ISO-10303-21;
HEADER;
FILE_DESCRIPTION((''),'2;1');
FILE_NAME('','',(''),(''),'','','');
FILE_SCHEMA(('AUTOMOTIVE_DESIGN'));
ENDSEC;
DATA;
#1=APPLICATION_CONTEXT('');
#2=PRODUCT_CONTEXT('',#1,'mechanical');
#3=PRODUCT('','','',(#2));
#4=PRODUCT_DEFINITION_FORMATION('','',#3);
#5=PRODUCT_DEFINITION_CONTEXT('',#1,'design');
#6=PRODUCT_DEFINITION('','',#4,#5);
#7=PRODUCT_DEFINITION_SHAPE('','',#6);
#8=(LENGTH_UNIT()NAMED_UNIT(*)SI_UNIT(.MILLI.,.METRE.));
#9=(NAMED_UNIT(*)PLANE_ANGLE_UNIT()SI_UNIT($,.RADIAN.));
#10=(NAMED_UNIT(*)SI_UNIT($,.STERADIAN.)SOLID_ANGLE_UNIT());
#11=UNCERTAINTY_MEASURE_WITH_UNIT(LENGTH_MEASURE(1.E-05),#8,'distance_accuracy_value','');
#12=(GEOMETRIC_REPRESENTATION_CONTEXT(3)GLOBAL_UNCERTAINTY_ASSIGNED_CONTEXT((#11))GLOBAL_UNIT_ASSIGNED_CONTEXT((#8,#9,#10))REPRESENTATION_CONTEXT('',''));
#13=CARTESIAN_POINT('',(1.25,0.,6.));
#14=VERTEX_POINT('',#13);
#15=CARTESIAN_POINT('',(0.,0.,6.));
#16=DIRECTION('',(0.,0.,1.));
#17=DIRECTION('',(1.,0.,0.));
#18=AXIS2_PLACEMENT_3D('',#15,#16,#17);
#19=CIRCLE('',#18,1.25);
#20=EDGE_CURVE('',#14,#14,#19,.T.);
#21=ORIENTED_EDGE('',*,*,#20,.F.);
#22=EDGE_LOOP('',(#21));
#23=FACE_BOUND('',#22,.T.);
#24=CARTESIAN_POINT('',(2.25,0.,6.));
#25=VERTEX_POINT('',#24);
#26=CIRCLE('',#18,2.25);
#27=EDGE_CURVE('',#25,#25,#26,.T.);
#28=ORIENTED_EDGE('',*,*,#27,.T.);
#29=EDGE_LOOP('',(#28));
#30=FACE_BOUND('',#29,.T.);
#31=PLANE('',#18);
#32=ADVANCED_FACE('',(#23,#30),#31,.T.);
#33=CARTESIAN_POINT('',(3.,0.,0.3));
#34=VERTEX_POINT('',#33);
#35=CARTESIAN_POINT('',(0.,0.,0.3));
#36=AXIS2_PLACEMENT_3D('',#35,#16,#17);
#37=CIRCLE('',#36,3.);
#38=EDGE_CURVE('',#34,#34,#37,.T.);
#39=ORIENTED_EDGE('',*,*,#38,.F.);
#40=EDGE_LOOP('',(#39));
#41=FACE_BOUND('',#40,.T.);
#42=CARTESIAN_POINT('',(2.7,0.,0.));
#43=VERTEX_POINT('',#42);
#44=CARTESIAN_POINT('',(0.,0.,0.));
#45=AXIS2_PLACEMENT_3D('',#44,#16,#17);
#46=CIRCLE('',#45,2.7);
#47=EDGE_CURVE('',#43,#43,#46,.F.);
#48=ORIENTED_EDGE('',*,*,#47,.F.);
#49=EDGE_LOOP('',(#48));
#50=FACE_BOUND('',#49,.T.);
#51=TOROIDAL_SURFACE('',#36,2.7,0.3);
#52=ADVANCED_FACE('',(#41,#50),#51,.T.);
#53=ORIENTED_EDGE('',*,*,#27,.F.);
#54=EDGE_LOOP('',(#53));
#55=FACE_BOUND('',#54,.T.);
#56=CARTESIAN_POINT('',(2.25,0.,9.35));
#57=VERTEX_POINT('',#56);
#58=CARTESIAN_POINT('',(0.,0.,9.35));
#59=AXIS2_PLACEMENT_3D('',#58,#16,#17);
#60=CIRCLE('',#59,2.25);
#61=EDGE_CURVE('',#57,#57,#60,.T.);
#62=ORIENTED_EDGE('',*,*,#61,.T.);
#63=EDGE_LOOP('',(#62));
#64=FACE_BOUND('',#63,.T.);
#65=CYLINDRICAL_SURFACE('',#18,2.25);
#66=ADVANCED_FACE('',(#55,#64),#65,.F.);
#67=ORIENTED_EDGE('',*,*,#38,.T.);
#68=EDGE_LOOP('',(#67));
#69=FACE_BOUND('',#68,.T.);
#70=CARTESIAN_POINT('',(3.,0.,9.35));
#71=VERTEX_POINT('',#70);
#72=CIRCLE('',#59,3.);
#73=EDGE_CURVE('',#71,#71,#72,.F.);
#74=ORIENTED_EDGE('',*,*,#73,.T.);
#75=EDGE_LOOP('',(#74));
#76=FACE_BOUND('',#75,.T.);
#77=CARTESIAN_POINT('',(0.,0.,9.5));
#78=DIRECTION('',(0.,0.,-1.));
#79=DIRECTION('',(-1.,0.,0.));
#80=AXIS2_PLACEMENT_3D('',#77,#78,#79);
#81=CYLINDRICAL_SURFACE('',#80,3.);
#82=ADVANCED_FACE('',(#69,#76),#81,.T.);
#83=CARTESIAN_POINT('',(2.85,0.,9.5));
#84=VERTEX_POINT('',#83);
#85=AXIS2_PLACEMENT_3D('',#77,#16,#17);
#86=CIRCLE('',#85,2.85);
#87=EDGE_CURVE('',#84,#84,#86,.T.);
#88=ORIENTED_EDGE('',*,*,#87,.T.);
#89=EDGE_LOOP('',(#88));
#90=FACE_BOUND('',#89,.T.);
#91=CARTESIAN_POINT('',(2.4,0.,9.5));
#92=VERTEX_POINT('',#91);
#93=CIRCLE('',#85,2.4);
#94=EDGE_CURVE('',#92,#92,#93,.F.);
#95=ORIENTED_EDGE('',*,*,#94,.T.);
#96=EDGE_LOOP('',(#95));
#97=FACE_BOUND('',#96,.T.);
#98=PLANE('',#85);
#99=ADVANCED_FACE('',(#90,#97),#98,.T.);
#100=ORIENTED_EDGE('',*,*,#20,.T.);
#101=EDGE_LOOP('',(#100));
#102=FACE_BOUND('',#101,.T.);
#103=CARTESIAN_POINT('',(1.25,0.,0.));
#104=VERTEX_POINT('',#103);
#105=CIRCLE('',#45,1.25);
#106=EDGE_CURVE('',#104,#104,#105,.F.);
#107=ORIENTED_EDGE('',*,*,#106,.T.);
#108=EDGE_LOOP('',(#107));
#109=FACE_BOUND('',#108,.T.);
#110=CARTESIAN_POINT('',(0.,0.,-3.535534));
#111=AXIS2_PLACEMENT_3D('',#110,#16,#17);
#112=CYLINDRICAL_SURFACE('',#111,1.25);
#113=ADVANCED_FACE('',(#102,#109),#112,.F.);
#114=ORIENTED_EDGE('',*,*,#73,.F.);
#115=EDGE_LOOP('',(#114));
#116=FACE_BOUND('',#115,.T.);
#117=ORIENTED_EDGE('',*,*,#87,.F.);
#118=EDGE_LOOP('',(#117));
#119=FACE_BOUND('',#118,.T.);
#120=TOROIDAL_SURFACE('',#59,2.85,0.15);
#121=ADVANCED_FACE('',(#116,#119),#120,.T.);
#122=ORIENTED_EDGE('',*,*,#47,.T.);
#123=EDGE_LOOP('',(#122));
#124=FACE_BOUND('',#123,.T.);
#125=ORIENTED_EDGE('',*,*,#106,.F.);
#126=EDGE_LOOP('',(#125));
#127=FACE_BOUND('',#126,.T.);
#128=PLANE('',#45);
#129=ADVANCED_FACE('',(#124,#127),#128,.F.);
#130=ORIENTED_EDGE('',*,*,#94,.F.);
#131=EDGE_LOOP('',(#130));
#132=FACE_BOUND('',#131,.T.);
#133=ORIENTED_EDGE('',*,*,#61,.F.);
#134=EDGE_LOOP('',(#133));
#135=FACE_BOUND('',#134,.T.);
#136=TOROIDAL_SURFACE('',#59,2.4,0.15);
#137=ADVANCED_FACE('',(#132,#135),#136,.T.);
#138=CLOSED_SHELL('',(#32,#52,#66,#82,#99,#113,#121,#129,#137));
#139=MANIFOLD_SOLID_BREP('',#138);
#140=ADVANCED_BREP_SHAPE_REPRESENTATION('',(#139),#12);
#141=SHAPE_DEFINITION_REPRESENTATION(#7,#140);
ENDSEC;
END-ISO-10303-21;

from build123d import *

# Parameters (mm, degrees)
SKETCH1_R           = 3
BOSS_EXTRUDE1_DEPTH = 9.5
SKETCH2_R           = 2.25
CUT_EXTRUDE1_DEPTH  = 3.5
SKETCH3_R           = 1.25
CUT_EXTRUDE2_DEPTH  = 6
FILLET1_R           = 0.15
FILLET2_R           = 0.3


with BuildPart() as part:
    # Sketch1 → Boss-Extrude1 (new body)
    with BuildSketch(Plane.XY):
        Circle(SKETCH1_R)
    extrude(amount=BOSS_EXTRUDE1_DEPTH)

    # Sketch2 → Cut-Extrude1 (cut)
    with BuildSketch(Plane.XY.offset(9.5)):
        Circle(SKETCH2_R)
    extrude(amount=-CUT_EXTRUDE1_DEPTH, mode=Mode.SUBTRACT)

    # Sketch3 → Cut-Extrude2 (cut)
    with BuildSketch(Plane.XY.offset(6)):
        Circle(SKETCH3_R)
    extrude(amount=-CUT_EXTRUDE2_DEPTH, mode=Mode.SUBTRACT)

    # Fillet1
    fillet1_edges = [part.edges().sort_by_distance(p)[0] for p in [
        (-3, 0, 9.5),
        (-2.25, 0, 9.5),
    ]]
    fillet(fillet1_edges, radius=FILLET1_R)

    # Fillet2
    fillet2_edges = [part.edges().sort_by_distance(p)[0] for p in [
        (-3, 0, 0),
    ]]
    fillet(fillet2_edges, radius=FILLET2_R)


solid = part.part
